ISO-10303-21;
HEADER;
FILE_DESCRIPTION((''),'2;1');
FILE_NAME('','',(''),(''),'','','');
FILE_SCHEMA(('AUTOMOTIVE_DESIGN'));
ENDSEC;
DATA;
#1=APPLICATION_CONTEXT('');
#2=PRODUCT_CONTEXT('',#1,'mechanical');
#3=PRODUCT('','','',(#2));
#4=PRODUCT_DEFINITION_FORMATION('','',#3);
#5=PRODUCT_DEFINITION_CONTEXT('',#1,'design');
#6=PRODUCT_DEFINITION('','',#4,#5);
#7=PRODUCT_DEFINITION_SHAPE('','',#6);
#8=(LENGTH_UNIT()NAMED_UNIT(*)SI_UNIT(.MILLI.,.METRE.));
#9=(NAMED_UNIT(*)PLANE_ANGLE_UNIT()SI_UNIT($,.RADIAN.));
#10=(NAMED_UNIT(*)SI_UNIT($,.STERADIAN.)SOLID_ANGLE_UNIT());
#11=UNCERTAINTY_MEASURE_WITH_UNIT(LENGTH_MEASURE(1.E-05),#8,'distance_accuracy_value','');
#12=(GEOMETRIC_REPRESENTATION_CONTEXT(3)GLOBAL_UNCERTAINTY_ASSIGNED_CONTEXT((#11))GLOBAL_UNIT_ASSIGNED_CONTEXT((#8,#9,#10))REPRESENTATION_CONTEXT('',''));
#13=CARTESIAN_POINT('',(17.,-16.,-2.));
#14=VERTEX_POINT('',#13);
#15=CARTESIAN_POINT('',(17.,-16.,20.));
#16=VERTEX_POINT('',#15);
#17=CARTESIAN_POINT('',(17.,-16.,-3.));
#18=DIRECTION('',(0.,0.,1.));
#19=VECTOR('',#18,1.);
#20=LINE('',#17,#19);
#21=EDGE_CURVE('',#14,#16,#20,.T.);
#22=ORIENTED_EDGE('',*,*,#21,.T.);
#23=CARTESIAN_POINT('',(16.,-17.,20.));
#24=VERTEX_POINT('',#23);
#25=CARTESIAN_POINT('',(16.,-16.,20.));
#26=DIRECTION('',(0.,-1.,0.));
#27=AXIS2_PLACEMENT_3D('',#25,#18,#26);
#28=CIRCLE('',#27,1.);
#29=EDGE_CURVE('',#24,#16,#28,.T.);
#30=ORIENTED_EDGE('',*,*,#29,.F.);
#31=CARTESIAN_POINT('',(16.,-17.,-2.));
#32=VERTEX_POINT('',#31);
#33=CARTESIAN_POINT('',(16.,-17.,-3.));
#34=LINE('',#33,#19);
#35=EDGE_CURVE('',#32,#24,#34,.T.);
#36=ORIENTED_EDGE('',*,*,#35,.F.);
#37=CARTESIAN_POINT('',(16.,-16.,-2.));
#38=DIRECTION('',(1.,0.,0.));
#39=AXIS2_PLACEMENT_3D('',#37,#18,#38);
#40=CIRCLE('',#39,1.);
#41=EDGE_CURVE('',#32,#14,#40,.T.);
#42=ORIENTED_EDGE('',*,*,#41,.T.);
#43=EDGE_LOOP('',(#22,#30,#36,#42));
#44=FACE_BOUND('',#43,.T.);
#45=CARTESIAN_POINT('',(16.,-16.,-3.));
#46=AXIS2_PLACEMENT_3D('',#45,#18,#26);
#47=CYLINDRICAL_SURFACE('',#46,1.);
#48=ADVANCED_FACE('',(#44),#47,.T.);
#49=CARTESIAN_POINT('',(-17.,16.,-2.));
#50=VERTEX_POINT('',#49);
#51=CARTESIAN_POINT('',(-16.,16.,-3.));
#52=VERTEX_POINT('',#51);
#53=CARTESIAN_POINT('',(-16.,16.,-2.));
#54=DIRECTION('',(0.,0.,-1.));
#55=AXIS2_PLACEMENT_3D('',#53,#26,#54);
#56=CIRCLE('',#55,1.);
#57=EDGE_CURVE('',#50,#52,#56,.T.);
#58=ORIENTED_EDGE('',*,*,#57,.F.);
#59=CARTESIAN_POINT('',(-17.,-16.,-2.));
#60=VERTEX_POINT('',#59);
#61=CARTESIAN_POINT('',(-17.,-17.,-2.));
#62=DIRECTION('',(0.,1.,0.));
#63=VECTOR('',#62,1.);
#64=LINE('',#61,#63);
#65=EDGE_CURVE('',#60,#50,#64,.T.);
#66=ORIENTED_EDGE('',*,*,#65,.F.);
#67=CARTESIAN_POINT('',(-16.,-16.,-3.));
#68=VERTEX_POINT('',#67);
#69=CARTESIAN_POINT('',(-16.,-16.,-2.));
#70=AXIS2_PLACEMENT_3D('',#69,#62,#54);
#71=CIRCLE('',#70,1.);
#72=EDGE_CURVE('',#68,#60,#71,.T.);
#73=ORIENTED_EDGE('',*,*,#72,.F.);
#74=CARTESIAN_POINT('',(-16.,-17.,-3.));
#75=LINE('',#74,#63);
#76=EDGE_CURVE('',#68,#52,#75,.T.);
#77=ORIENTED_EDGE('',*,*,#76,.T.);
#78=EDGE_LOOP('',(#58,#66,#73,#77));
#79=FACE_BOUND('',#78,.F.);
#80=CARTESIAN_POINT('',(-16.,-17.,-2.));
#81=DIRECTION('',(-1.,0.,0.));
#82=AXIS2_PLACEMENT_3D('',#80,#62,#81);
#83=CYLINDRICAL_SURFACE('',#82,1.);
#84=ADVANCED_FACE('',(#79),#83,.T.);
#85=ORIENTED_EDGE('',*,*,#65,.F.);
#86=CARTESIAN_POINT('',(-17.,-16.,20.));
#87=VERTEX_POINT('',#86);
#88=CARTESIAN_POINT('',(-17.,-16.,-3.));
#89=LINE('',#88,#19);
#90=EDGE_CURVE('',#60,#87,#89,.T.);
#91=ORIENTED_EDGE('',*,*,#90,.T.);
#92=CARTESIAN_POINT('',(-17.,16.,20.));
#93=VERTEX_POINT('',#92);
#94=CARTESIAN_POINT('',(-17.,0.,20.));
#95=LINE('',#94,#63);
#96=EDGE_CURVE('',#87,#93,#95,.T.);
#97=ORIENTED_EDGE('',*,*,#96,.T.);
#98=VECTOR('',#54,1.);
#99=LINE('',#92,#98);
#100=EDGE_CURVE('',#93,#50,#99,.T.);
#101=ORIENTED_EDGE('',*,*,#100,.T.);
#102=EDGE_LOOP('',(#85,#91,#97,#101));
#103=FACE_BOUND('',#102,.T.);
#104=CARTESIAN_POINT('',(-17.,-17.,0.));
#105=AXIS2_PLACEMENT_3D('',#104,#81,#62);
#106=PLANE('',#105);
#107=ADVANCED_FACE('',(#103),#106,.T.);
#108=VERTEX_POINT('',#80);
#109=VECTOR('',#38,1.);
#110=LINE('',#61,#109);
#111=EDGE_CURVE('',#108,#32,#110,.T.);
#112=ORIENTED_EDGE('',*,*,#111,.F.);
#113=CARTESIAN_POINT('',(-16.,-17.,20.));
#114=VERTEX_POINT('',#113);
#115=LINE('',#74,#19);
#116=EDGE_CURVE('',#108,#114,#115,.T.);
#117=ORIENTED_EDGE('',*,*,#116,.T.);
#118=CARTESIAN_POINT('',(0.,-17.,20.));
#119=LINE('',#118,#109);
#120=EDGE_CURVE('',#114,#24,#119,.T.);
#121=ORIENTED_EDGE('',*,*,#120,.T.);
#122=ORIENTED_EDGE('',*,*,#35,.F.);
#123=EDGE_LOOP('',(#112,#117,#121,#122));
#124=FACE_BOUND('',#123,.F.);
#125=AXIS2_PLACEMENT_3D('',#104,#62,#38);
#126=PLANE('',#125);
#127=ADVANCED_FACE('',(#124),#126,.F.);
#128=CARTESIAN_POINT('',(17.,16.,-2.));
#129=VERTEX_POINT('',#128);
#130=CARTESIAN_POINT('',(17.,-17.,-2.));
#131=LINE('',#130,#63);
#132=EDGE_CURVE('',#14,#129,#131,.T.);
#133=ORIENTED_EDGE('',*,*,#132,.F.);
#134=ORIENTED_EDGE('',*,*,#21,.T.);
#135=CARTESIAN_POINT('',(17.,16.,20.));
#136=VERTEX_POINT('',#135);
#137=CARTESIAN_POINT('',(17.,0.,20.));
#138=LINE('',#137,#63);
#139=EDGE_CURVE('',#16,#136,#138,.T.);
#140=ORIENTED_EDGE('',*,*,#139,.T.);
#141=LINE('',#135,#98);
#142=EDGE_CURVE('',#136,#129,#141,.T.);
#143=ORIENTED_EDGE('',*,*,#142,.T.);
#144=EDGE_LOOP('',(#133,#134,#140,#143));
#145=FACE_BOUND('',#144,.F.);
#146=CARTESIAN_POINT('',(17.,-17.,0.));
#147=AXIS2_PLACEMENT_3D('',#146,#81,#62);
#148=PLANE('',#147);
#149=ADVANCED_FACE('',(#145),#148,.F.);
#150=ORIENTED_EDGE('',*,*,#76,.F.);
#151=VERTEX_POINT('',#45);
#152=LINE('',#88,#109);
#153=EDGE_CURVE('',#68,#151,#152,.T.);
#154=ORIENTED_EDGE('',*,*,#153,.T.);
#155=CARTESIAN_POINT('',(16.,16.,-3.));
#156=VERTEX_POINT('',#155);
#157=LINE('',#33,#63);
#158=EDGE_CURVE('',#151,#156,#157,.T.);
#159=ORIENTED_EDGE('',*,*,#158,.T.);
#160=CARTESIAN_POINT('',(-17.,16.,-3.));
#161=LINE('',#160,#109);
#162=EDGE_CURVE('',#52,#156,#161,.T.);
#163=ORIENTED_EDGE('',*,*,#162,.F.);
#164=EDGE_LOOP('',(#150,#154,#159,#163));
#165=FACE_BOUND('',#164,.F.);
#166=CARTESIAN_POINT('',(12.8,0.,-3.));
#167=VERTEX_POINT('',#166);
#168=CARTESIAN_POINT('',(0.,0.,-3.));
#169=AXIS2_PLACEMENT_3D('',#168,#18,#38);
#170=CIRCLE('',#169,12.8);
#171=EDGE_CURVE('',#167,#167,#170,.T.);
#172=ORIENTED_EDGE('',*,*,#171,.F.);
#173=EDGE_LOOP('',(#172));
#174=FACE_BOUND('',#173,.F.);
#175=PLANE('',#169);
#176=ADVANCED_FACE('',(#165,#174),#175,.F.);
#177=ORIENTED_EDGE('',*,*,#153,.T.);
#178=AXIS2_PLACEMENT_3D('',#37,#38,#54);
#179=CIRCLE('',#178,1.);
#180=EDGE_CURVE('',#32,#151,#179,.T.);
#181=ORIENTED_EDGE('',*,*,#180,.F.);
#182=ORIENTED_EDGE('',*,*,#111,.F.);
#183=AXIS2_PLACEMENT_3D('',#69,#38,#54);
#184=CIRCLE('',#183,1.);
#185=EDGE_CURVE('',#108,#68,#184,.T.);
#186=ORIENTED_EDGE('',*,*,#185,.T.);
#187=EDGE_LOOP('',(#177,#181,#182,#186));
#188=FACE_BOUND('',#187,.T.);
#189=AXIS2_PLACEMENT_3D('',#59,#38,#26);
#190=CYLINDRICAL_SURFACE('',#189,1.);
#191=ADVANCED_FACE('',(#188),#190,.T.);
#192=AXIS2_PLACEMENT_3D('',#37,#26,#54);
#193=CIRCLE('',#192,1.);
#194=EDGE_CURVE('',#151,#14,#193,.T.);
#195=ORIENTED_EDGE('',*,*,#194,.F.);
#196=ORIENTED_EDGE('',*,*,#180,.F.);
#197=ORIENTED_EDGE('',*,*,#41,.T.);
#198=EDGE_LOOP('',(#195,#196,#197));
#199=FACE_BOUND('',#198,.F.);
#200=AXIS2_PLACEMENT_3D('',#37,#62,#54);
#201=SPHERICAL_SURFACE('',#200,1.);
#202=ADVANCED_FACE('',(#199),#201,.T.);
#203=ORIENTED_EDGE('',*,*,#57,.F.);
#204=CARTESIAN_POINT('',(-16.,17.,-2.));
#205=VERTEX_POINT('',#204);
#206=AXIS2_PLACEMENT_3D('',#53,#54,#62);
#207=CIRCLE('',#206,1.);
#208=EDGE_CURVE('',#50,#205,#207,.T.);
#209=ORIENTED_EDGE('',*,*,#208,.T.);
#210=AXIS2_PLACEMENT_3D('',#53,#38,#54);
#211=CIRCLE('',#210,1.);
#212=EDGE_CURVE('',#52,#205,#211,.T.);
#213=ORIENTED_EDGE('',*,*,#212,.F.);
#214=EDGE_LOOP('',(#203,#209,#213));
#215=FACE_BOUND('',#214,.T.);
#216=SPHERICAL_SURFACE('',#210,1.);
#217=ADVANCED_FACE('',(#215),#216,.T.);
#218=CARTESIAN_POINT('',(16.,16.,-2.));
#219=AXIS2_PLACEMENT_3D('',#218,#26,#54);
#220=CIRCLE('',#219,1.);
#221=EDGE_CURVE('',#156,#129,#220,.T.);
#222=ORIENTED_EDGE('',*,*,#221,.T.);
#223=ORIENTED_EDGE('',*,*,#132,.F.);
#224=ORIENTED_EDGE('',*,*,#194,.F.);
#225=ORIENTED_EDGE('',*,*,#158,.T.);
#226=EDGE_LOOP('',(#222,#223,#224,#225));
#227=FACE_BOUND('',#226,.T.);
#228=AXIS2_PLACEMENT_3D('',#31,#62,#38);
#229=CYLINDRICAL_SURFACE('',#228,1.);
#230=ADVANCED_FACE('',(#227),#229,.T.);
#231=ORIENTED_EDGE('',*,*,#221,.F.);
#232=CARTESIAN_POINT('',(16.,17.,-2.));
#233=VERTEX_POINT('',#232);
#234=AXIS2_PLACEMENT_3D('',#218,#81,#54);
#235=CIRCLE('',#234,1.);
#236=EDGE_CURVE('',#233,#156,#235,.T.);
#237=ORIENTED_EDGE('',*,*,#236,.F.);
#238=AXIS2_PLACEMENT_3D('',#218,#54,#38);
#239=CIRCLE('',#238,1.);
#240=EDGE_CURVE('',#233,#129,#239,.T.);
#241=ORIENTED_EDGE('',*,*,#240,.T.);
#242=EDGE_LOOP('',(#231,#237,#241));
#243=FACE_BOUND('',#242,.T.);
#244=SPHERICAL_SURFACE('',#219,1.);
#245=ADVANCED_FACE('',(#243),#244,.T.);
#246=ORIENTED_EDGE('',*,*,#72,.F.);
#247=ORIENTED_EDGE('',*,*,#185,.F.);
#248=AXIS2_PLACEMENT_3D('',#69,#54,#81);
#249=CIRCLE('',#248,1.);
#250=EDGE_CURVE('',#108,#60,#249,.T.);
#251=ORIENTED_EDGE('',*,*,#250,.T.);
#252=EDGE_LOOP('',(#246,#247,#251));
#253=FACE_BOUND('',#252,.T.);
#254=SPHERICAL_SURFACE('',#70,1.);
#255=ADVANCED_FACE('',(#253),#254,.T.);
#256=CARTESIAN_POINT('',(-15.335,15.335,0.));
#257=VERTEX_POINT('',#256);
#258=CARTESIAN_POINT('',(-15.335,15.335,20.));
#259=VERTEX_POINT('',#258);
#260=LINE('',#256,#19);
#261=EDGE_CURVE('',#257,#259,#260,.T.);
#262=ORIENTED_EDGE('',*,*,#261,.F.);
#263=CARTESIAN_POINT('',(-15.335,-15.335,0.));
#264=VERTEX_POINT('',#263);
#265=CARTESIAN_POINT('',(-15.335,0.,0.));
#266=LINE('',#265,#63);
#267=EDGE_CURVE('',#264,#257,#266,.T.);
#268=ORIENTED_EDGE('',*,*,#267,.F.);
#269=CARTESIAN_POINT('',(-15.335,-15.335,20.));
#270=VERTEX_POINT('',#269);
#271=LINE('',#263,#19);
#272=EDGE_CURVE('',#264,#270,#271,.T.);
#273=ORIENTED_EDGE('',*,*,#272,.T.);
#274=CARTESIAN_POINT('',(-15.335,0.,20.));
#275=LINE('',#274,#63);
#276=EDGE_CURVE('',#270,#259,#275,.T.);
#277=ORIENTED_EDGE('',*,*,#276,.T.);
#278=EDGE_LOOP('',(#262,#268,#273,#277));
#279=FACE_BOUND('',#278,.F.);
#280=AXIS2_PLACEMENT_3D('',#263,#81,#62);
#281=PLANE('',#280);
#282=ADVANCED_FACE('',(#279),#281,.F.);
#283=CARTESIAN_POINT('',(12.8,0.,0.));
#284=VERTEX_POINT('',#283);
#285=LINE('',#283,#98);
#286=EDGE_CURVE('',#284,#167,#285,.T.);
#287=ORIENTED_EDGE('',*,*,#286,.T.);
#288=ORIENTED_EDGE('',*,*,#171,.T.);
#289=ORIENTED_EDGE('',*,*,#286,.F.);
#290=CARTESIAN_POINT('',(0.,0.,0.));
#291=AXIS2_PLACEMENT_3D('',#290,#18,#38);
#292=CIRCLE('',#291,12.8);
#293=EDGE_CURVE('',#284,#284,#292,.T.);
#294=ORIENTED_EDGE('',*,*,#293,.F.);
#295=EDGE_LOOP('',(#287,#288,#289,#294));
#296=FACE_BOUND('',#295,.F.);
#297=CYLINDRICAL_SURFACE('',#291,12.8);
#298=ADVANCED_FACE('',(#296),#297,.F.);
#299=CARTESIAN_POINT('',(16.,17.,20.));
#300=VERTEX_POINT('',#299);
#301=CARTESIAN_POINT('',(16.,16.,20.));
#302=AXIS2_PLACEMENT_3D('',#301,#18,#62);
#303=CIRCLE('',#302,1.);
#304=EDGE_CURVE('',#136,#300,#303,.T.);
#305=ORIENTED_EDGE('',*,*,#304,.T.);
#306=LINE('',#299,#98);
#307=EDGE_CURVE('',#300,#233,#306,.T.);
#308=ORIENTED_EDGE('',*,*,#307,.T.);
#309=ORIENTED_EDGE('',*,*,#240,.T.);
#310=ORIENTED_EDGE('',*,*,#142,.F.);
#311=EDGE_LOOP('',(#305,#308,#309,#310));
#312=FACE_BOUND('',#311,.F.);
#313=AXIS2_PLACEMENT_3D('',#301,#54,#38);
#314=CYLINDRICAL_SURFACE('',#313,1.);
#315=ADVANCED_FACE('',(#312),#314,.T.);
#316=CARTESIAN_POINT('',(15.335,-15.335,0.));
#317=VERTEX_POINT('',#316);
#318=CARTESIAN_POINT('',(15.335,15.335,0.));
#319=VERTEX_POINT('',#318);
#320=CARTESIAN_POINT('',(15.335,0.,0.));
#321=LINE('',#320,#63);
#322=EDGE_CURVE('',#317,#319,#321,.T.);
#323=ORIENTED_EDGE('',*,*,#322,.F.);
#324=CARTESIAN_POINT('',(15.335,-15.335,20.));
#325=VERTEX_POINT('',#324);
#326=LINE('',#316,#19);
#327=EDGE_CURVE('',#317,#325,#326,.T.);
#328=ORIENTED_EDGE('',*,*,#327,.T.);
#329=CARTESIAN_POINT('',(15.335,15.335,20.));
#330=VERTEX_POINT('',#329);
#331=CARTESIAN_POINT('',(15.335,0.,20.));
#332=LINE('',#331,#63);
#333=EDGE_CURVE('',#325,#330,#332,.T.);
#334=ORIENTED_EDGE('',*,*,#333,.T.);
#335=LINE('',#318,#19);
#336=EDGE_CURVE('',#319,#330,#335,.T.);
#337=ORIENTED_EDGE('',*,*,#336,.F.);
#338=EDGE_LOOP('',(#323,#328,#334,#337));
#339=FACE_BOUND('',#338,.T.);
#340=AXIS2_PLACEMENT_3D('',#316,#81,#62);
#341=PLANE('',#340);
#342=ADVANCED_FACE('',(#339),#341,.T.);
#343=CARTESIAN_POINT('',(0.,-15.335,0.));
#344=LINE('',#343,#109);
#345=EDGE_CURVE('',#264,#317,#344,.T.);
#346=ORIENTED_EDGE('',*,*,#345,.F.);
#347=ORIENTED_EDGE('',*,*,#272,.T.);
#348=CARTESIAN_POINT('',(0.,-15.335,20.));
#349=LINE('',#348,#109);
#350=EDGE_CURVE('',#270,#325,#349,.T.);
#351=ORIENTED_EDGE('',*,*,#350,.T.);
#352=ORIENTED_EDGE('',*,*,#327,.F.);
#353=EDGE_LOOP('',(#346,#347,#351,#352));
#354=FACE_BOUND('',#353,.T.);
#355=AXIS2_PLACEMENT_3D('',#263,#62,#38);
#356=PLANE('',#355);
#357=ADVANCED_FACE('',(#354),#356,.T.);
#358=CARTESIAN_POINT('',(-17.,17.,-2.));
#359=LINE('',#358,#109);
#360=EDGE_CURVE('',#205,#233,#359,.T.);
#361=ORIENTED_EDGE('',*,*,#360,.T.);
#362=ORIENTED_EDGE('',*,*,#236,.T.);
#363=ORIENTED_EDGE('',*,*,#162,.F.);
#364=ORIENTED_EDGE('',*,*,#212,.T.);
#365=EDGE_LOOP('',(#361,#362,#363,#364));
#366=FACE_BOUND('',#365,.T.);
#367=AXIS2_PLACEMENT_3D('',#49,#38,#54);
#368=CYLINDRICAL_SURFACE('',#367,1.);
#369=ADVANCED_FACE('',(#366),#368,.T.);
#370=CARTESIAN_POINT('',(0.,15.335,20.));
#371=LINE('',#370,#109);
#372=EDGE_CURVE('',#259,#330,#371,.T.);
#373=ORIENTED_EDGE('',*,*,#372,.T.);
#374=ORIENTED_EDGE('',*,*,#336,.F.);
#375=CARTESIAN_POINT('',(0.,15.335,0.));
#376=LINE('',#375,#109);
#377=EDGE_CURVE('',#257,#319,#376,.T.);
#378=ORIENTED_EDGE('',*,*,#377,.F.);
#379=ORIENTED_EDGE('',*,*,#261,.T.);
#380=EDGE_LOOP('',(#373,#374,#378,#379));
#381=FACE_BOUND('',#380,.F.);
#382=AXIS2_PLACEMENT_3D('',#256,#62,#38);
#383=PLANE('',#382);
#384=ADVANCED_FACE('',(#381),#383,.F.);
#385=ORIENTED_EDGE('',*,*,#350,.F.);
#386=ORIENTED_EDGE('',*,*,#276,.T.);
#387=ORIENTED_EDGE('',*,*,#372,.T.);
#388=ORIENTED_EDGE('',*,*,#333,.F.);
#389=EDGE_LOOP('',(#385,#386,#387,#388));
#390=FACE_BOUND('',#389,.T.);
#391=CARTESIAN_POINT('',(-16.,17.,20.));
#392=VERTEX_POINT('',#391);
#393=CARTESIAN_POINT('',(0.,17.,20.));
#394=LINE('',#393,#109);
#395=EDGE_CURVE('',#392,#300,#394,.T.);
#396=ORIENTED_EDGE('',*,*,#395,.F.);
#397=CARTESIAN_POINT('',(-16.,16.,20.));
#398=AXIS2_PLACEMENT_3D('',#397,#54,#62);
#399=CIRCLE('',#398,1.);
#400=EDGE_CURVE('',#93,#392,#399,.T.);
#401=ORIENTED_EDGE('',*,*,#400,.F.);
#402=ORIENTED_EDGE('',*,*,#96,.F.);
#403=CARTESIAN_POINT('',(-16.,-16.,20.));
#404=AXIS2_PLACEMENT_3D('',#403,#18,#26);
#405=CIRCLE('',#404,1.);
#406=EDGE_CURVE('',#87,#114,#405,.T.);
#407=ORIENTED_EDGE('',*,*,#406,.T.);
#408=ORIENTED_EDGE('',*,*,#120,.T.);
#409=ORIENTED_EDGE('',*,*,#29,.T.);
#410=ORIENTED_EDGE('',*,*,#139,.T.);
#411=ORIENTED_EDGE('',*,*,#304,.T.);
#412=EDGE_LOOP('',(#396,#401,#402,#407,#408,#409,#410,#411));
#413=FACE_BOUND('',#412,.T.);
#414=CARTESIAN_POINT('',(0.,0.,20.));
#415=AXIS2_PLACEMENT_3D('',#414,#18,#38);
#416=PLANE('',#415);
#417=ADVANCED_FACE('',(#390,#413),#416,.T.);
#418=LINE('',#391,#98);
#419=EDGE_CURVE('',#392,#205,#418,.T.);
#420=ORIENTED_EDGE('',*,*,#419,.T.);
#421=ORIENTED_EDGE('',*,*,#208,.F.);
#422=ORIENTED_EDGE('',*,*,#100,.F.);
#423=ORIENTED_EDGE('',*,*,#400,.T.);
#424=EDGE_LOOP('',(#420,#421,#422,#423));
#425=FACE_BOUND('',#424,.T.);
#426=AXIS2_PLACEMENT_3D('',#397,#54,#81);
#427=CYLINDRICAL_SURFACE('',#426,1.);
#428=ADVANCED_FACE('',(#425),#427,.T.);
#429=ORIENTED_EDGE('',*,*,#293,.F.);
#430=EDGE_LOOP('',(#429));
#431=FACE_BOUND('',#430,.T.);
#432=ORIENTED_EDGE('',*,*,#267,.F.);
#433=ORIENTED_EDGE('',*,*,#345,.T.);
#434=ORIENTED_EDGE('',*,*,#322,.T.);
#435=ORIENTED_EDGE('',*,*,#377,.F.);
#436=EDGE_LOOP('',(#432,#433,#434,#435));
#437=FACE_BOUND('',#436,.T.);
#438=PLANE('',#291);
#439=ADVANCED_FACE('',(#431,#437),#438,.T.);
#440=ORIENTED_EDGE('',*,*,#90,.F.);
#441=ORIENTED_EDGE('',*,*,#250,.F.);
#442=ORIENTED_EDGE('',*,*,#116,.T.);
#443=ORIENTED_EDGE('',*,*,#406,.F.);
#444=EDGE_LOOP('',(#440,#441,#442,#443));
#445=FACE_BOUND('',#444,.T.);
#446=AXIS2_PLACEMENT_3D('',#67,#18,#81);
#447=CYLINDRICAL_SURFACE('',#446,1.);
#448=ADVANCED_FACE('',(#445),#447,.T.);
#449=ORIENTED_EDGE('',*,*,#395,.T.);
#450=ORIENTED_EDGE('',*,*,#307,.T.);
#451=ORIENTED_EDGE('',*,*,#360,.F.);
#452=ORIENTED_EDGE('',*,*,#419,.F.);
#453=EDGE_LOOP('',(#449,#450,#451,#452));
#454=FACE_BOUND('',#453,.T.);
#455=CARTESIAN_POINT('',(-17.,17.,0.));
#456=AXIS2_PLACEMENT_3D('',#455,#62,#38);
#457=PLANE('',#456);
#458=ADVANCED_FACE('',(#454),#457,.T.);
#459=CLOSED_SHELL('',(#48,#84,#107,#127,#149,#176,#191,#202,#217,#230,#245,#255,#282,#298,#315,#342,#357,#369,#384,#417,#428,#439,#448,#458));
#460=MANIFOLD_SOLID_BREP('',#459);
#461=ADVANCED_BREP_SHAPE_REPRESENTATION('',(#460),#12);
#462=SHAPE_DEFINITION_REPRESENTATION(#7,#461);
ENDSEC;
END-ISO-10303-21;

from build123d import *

# Parameters (mm, degrees)
F0_W     = 34
F0_H     = 34
F0_W_2   = 30.67
F0_H_2   = 30.67
F0_R     = 14.3
F0_R_2   = 12.8
F1_DEPTH = 3
F2_DEPTH = 20
F3_R     = 1


with BuildPart() as f1:
    # F0 (on Top) → F1 (new body)
    with BuildSketch(Plane.XY):
        Rectangle(F0_W, F0_H)
        Rectangle(F0_W_2, F0_H_2, mode=Mode.SUBTRACT)
        Rectangle(F0_W_2, F0_H_2)
        Circle(F0_R, mode=Mode.SUBTRACT)
        Circle(F0_R)
        Circle(F0_R_2, mode=Mode.SUBTRACT)
    extrude(amount=-F1_DEPTH)

    # F0 (on Top) → F2 (join)
    with BuildSketch(Plane.XY):
        Rectangle(F0_W, F0_H)
        Rectangle(F0_W_2, F0_H_2, mode=Mode.SUBTRACT)
    extrude(amount=F2_DEPTH)

    # F3
    f3_edges = [f1.edges().sort_by_distance(p)[0] for p in [
        (17, 0, -3),
        (0, 17, -3),
        (-17, 0, -3),
        (0, -17, -3),
        (17, -17, 8.5),
        (17, 17, 8.5),
        (-17, 17, 8.5),
        (-17, -17, 8.5),
    ]]
    fillet(f3_edges, radius=F3_R)


solid = f1.part
